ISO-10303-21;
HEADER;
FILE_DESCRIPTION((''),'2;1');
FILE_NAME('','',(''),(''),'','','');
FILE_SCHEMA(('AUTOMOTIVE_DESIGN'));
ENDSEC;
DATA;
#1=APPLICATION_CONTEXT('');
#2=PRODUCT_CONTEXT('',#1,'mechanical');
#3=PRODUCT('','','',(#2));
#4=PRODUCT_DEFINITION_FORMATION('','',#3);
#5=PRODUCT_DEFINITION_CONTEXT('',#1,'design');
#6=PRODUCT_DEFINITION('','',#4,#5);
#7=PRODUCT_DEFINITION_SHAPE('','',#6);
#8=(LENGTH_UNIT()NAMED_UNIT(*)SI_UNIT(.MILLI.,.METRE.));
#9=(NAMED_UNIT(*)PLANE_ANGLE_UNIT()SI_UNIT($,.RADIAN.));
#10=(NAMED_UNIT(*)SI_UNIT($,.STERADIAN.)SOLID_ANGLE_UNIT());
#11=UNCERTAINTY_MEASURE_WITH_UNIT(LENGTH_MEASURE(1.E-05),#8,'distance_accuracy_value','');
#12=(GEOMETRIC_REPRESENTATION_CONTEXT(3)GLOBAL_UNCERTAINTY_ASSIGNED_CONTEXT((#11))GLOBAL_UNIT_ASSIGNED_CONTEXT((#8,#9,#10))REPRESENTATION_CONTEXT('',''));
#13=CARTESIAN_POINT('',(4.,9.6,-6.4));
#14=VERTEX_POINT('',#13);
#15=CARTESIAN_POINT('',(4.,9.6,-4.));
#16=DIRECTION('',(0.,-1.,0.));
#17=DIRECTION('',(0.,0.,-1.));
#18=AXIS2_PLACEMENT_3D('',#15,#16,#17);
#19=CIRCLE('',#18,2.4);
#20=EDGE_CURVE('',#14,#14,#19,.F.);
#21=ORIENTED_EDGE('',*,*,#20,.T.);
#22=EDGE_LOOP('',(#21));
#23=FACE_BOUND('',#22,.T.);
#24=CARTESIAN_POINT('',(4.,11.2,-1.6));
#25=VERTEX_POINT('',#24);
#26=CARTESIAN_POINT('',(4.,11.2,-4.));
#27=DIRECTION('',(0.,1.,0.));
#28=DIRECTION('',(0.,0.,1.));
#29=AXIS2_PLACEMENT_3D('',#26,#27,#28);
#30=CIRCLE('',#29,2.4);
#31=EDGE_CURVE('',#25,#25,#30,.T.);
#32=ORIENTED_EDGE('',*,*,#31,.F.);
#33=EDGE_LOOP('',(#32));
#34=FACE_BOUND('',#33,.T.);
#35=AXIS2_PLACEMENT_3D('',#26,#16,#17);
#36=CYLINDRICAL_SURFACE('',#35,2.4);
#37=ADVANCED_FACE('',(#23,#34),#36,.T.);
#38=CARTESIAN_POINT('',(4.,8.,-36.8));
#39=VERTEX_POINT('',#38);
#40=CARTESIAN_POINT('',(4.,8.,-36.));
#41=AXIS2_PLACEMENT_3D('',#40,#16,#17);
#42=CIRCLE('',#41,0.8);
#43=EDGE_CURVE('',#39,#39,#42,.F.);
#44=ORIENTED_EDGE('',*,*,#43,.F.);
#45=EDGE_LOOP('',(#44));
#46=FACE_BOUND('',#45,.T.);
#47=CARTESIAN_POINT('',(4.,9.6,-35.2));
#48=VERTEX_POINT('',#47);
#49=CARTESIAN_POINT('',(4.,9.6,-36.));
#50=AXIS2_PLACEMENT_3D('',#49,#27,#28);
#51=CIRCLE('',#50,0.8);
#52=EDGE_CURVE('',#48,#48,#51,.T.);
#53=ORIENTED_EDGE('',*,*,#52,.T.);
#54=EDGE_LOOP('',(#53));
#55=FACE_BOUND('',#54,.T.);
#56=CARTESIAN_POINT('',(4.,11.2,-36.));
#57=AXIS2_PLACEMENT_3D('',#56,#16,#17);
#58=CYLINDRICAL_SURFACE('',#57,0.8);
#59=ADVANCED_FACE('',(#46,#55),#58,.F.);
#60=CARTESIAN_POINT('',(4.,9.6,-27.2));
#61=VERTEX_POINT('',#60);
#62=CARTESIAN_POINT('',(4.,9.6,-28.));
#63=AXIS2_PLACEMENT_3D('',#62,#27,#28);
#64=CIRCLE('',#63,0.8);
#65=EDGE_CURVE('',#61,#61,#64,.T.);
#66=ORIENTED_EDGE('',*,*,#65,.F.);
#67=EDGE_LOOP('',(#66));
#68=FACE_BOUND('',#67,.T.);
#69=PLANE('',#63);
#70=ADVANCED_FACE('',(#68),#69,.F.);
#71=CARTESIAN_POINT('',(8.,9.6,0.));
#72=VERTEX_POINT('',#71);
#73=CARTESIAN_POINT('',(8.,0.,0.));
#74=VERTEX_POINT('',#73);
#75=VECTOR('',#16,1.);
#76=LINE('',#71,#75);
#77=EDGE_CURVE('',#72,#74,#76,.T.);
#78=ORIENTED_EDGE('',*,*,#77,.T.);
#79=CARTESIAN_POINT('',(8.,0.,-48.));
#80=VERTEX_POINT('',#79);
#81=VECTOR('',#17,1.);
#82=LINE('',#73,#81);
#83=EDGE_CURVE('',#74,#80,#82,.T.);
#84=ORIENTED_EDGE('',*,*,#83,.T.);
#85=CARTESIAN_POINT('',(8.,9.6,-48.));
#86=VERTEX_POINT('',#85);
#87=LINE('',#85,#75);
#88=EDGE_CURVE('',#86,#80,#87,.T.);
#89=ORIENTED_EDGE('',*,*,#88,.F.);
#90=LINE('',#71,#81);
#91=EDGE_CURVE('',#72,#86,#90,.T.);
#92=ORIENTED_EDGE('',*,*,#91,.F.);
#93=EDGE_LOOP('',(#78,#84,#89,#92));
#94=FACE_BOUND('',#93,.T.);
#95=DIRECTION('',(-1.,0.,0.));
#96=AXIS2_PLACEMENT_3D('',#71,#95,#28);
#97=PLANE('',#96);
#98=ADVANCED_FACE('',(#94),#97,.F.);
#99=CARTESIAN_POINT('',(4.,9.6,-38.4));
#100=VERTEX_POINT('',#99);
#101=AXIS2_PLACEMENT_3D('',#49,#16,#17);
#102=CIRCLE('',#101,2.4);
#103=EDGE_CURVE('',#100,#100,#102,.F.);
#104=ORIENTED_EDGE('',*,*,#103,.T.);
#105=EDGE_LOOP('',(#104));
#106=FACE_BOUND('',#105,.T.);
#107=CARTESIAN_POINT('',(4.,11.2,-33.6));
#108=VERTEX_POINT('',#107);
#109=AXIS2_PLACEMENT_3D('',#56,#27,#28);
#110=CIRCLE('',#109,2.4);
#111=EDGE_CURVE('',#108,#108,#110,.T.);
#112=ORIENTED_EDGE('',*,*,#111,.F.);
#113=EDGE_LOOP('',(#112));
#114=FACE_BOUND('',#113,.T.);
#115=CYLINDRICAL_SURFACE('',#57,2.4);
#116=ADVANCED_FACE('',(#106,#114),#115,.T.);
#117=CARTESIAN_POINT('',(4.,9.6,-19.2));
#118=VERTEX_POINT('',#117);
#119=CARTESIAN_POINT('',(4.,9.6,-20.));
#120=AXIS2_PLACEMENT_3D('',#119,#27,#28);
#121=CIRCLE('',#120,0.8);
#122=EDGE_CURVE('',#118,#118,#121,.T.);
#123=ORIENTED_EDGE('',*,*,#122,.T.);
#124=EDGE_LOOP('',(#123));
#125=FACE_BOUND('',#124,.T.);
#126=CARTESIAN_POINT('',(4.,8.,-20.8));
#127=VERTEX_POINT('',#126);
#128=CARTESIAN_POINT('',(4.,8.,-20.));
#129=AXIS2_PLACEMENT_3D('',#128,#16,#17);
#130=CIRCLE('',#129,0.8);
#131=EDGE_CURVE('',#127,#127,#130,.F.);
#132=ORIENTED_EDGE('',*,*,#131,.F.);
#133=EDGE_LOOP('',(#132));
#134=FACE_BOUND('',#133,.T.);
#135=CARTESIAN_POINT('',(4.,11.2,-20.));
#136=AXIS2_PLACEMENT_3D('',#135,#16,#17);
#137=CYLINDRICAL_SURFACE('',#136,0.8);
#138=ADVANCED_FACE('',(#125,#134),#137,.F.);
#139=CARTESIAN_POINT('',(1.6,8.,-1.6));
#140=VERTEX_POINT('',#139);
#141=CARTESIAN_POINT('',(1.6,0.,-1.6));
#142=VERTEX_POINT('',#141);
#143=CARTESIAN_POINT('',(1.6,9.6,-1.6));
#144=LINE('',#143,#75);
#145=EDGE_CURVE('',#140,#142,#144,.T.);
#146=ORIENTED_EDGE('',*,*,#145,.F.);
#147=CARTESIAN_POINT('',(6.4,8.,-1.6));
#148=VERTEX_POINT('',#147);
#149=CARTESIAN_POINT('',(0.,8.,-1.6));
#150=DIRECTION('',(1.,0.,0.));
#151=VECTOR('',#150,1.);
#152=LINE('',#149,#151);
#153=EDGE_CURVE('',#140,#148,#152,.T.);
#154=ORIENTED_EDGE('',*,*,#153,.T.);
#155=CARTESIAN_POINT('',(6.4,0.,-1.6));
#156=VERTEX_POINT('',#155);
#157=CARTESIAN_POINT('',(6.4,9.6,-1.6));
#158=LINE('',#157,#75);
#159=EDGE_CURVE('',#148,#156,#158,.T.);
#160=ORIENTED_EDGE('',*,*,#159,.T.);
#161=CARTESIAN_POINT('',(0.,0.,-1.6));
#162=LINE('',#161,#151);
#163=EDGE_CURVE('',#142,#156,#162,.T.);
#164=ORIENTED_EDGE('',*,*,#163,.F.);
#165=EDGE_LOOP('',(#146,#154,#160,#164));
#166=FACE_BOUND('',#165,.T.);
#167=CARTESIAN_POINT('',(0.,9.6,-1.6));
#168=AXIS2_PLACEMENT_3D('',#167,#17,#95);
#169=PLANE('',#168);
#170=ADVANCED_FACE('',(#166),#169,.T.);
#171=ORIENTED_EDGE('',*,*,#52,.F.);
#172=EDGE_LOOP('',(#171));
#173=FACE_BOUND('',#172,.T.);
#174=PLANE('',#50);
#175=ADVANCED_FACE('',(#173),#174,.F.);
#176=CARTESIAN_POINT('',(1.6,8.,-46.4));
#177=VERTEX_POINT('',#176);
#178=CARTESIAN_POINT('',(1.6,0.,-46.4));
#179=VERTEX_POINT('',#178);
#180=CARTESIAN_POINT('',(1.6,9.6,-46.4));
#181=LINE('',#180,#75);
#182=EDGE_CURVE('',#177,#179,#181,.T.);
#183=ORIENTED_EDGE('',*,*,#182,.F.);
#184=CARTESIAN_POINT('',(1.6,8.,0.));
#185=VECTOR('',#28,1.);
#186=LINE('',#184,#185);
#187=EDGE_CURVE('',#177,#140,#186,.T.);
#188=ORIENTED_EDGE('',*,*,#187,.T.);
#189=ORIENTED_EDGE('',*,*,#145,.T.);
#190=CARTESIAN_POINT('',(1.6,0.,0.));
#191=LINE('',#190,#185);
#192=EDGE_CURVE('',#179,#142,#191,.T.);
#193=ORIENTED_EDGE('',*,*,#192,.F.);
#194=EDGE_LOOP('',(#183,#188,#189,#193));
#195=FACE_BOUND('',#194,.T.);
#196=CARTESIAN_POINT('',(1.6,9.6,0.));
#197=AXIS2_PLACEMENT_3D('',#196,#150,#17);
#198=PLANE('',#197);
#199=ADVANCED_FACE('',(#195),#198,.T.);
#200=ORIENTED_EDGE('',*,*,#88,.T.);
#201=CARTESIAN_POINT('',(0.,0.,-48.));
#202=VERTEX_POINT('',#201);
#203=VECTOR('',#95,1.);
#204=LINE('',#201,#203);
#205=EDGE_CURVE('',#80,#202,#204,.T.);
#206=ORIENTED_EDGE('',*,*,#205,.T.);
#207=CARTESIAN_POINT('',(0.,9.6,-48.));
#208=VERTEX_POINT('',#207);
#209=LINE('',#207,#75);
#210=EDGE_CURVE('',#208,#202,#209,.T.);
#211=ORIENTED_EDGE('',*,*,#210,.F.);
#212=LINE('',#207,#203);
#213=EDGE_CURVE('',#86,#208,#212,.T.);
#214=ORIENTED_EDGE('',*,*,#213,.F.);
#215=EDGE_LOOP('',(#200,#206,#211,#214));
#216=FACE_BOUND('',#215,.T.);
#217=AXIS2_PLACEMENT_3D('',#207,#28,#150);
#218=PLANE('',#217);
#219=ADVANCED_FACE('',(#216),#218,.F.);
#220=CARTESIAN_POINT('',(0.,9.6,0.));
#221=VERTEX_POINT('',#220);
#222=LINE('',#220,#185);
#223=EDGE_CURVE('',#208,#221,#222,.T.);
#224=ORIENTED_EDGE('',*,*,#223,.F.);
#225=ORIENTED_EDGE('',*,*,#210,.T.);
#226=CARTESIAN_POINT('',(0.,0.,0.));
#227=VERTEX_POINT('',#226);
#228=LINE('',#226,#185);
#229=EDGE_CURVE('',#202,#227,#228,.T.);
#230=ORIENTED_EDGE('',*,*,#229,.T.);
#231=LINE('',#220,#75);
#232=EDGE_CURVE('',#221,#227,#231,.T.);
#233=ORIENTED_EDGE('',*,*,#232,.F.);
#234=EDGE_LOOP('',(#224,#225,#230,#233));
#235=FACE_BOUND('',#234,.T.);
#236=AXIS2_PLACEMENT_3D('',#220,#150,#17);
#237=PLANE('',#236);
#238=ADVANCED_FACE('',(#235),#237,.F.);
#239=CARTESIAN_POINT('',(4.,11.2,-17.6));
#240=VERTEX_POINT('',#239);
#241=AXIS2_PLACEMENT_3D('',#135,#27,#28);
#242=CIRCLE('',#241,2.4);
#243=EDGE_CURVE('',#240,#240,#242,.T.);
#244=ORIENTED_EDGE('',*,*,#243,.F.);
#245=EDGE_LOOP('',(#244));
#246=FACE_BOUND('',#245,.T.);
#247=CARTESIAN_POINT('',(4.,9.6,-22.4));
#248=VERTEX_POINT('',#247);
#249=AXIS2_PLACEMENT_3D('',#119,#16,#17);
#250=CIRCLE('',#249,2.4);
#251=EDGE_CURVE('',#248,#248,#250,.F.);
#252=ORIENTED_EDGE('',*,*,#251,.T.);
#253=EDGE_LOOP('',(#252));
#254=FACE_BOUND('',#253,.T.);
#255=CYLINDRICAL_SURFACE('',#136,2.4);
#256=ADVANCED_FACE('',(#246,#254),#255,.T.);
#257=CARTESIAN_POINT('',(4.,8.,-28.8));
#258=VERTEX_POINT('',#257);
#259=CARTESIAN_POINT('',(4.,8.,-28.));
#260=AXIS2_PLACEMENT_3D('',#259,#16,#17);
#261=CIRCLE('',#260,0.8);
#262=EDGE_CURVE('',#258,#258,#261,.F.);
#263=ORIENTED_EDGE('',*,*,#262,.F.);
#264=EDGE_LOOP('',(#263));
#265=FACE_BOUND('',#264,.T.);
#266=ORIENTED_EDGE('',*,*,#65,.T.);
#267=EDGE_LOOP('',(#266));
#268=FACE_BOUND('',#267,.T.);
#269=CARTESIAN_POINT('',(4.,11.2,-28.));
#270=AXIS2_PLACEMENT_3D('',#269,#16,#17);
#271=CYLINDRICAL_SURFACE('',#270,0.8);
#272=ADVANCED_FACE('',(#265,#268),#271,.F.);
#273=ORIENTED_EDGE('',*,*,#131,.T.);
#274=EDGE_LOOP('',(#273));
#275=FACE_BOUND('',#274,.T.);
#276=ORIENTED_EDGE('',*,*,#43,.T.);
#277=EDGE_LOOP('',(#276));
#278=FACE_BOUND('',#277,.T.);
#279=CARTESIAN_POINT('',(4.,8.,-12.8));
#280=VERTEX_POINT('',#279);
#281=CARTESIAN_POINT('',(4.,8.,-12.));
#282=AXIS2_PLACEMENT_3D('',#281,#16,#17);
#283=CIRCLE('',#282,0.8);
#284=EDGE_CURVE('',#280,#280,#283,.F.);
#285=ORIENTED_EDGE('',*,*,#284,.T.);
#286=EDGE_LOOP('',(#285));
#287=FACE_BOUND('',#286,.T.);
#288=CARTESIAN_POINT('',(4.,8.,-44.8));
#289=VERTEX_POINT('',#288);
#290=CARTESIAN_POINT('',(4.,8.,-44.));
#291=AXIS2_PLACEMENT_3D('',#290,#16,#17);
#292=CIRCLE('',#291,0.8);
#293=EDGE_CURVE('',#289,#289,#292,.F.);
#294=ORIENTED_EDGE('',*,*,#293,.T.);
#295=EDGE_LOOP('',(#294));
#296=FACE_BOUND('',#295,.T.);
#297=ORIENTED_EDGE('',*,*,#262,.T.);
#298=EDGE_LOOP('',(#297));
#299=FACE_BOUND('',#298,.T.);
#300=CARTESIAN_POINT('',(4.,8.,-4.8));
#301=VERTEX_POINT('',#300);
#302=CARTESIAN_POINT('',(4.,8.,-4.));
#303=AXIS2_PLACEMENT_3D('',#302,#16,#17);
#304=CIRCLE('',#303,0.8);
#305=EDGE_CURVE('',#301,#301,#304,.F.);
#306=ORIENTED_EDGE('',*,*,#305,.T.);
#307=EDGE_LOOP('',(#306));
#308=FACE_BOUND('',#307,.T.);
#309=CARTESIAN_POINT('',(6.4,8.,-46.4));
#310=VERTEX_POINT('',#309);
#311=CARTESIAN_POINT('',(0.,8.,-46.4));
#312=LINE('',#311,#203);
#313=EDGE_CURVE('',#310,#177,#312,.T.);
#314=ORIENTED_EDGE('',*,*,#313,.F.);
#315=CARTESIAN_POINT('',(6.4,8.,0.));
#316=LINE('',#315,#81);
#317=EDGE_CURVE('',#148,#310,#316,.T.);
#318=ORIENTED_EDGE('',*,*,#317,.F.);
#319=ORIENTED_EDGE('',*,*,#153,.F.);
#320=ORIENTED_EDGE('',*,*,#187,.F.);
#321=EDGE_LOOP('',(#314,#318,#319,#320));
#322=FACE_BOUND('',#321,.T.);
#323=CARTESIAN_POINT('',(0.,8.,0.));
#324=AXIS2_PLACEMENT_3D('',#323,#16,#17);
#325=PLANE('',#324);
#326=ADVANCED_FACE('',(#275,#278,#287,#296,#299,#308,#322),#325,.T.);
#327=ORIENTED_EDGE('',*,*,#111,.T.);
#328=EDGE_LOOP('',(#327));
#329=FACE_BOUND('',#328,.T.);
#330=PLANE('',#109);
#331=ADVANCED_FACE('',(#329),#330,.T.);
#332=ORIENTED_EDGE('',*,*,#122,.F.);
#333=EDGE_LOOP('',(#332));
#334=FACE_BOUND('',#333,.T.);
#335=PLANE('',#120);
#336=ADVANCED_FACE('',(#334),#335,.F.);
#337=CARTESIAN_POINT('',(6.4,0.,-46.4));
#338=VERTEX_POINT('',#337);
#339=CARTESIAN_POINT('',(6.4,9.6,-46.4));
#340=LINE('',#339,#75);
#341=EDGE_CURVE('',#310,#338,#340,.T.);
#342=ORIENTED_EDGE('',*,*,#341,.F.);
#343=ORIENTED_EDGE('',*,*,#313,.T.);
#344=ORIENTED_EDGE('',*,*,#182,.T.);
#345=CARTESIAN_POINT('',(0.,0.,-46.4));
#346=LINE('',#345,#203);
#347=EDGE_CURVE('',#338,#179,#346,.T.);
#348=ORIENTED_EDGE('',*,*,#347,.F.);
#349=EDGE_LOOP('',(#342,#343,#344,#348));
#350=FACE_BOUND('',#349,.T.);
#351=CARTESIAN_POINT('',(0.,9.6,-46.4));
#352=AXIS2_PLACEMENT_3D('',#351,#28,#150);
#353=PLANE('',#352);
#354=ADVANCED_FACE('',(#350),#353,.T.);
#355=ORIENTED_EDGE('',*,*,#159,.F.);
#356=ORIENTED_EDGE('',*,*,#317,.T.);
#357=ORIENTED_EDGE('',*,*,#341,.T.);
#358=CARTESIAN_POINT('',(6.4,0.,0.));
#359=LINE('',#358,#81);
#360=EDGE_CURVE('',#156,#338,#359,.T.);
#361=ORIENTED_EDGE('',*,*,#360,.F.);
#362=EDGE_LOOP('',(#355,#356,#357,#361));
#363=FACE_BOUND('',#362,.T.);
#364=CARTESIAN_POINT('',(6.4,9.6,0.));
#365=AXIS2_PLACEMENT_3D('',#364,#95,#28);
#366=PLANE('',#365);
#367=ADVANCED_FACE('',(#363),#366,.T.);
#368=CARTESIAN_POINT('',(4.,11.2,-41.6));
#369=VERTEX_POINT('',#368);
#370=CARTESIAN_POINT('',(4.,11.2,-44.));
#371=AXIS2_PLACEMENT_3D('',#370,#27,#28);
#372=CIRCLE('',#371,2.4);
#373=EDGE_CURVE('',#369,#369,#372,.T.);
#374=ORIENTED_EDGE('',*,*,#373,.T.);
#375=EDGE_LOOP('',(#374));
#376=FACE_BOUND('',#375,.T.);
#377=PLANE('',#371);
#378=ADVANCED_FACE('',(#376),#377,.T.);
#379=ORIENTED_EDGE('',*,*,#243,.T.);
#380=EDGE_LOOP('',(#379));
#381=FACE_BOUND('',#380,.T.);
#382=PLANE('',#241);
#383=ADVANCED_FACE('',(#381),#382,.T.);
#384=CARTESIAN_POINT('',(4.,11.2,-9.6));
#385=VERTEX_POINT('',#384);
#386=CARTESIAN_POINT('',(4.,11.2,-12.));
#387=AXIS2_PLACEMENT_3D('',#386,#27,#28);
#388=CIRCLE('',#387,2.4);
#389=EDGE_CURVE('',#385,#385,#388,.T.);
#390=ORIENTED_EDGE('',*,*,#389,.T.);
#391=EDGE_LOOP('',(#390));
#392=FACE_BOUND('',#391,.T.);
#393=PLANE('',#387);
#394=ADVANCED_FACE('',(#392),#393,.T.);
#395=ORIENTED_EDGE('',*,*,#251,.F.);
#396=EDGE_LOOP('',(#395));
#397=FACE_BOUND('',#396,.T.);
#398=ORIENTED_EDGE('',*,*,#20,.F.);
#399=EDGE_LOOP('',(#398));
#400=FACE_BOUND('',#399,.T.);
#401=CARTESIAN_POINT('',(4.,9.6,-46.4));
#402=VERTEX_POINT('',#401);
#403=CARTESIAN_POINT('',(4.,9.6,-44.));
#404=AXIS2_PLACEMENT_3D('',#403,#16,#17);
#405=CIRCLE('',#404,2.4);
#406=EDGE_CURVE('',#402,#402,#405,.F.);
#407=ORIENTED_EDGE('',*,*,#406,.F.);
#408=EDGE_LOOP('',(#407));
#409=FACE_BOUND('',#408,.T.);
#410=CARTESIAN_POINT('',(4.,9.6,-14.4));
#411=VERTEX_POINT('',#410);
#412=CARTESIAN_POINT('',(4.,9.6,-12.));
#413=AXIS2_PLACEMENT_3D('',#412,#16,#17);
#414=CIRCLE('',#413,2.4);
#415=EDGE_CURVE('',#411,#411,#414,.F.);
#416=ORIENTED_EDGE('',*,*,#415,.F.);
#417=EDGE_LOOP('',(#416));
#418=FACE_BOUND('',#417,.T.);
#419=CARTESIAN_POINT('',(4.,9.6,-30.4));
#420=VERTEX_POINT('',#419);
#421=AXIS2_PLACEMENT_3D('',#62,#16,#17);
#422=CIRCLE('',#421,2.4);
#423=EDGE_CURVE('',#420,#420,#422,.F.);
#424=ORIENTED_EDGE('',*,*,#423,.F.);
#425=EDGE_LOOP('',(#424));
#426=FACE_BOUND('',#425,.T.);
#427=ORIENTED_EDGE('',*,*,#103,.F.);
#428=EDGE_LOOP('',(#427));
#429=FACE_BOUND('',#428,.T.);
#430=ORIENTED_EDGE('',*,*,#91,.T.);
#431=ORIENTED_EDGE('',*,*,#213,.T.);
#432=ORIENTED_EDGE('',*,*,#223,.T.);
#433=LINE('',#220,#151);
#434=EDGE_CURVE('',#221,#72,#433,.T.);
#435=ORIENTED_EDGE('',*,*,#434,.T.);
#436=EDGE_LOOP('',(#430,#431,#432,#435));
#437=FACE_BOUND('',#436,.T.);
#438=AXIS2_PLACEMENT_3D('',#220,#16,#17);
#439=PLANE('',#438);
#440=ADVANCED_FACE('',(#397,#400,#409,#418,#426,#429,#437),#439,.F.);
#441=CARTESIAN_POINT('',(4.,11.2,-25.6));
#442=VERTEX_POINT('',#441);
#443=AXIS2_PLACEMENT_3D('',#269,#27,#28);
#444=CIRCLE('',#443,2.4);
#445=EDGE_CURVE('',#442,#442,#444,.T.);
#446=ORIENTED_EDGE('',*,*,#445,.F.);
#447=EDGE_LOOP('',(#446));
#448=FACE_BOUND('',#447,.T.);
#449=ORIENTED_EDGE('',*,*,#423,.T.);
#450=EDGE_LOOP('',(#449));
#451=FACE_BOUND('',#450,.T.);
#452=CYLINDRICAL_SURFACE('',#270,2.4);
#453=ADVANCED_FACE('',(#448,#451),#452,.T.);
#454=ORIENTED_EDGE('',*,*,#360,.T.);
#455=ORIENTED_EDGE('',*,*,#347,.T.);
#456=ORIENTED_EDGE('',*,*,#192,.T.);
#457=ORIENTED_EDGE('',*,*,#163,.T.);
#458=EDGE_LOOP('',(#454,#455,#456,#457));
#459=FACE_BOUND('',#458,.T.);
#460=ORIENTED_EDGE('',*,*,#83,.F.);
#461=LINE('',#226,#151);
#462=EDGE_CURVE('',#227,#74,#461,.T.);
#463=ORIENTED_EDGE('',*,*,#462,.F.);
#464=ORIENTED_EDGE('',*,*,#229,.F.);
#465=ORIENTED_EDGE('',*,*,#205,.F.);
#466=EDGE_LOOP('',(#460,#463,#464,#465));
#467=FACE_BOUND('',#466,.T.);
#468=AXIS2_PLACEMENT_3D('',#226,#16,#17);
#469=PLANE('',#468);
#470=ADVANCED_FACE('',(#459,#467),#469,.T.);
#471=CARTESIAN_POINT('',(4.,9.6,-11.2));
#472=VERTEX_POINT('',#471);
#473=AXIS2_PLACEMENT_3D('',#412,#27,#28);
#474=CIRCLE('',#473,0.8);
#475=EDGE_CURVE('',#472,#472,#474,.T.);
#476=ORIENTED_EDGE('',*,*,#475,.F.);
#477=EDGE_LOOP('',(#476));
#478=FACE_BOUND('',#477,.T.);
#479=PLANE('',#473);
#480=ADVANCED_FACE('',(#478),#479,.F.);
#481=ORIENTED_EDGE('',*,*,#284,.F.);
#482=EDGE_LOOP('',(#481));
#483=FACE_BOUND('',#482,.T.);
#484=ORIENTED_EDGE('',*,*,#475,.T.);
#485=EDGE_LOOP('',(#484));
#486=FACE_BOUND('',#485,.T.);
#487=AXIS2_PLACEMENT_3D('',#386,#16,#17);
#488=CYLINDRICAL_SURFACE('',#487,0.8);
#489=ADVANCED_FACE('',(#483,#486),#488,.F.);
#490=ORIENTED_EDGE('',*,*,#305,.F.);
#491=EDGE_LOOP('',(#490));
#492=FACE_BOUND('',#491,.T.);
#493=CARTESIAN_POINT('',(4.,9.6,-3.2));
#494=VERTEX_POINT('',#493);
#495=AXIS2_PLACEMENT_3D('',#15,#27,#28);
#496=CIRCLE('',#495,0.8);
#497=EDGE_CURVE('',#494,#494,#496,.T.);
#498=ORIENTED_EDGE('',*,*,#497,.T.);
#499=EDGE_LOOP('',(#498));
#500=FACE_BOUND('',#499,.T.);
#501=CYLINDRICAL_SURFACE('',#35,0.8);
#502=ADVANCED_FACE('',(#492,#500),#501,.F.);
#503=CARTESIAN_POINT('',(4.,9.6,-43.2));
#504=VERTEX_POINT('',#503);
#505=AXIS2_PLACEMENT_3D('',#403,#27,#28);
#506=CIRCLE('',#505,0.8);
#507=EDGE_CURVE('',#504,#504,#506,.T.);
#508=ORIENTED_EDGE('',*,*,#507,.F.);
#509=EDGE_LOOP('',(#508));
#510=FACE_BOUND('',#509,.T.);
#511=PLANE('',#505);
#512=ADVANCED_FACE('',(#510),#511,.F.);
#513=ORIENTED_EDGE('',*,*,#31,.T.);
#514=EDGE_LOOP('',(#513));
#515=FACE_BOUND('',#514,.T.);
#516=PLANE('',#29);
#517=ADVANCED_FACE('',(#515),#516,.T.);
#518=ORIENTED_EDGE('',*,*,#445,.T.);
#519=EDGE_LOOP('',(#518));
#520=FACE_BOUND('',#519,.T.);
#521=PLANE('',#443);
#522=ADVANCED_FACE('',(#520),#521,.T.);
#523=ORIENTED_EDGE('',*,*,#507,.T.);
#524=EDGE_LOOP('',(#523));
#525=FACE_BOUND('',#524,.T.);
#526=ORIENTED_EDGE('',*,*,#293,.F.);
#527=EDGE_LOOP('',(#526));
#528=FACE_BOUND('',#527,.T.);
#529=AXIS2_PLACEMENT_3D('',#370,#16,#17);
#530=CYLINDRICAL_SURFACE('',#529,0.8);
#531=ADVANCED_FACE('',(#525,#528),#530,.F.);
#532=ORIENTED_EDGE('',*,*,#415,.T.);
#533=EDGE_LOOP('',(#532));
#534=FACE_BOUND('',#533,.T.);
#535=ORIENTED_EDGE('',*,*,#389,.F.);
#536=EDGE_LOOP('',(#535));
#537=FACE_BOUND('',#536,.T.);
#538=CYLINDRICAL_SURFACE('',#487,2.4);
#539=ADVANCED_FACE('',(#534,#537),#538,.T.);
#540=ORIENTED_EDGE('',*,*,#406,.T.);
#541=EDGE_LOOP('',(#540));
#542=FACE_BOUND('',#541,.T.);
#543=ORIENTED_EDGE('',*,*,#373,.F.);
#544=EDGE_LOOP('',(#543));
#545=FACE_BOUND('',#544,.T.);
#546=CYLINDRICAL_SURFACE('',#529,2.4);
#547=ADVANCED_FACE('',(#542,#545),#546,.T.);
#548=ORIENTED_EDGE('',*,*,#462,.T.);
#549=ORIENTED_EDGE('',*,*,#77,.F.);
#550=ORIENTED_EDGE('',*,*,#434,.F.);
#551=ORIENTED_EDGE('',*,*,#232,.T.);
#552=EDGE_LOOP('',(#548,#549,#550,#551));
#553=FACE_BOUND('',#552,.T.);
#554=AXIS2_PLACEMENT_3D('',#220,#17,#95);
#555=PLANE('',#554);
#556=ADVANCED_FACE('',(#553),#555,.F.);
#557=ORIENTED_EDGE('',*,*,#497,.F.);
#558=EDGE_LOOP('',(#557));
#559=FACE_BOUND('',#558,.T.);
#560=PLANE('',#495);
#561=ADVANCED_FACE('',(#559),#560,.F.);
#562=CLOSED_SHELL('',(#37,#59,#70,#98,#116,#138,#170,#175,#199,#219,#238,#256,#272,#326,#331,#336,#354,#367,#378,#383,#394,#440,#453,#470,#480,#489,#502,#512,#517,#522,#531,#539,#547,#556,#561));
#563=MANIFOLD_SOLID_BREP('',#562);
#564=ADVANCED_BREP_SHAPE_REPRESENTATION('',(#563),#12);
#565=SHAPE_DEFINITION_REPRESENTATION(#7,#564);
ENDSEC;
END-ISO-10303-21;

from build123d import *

# Parameters (mm, degrees)
SKETCH1_W            = 8
SKETCH1_H            = 48
BOSS_EXTRUDE1_DEPTH  = 9.6
SKETCH2_R            = 2.4
BOSS_EXTRUDE2_DEPTH  = 1.6
LPATTERN1_COUNT      = 2
LPATTERN1_PITCH      = 8
LPATTERN1_COUNT_DIR2 = 6
LPATTERN1_PITCH_DIR2 = 8
SHELL1_T             = -1.6


with BuildPart() as part:
    # Sketch1 → Boss-Extrude1 (new body)
    with BuildSketch(Plane(origin=(0, 0, 0), x_dir=(1, 0, 0), z_dir=(0, 1, 0))):
        with Locations((4, 24)):
            Rectangle(SKETCH1_W, SKETCH1_H)
    extrude(amount=BOSS_EXTRUDE1_DEPTH)

    # Sketch2 → Boss-Extrude2 (add)
    with BuildSketch(Plane(origin=(0, 9.6, 0), x_dir=(1, 0, 0), z_dir=(0, 1, 0))):
        with Locations(Location((4, 4, 0), (0, 0, 90))):
            Circle(SKETCH2_R)
    boss_extrude2 = extrude(amount=BOSS_EXTRUDE2_DEPTH)

    # LPattern1: Boss-Extrude2 2 × 6, 6 skipped
    with Locations(*[(i * LPATTERN1_PITCH, 0, -j * LPATTERN1_PITCH_DIR2) for i in range(LPATTERN1_COUNT) for j in range(LPATTERN1_COUNT_DIR2) if (i, j) not in ((0, 0), (1, 0), (1, 1), (1, 2), (1, 3), (1, 4), (1, 5))]):
        add(boss_extrude2)

    # Shell1
    shell1_openings = [part.faces().sort_by_distance(p)[0] for p in [
        (4, 0, -24),
    ]]
    offset(amount=SHELL1_T, openings=shell1_openings, kind=Kind.INTERSECTION)


solid = part.part
